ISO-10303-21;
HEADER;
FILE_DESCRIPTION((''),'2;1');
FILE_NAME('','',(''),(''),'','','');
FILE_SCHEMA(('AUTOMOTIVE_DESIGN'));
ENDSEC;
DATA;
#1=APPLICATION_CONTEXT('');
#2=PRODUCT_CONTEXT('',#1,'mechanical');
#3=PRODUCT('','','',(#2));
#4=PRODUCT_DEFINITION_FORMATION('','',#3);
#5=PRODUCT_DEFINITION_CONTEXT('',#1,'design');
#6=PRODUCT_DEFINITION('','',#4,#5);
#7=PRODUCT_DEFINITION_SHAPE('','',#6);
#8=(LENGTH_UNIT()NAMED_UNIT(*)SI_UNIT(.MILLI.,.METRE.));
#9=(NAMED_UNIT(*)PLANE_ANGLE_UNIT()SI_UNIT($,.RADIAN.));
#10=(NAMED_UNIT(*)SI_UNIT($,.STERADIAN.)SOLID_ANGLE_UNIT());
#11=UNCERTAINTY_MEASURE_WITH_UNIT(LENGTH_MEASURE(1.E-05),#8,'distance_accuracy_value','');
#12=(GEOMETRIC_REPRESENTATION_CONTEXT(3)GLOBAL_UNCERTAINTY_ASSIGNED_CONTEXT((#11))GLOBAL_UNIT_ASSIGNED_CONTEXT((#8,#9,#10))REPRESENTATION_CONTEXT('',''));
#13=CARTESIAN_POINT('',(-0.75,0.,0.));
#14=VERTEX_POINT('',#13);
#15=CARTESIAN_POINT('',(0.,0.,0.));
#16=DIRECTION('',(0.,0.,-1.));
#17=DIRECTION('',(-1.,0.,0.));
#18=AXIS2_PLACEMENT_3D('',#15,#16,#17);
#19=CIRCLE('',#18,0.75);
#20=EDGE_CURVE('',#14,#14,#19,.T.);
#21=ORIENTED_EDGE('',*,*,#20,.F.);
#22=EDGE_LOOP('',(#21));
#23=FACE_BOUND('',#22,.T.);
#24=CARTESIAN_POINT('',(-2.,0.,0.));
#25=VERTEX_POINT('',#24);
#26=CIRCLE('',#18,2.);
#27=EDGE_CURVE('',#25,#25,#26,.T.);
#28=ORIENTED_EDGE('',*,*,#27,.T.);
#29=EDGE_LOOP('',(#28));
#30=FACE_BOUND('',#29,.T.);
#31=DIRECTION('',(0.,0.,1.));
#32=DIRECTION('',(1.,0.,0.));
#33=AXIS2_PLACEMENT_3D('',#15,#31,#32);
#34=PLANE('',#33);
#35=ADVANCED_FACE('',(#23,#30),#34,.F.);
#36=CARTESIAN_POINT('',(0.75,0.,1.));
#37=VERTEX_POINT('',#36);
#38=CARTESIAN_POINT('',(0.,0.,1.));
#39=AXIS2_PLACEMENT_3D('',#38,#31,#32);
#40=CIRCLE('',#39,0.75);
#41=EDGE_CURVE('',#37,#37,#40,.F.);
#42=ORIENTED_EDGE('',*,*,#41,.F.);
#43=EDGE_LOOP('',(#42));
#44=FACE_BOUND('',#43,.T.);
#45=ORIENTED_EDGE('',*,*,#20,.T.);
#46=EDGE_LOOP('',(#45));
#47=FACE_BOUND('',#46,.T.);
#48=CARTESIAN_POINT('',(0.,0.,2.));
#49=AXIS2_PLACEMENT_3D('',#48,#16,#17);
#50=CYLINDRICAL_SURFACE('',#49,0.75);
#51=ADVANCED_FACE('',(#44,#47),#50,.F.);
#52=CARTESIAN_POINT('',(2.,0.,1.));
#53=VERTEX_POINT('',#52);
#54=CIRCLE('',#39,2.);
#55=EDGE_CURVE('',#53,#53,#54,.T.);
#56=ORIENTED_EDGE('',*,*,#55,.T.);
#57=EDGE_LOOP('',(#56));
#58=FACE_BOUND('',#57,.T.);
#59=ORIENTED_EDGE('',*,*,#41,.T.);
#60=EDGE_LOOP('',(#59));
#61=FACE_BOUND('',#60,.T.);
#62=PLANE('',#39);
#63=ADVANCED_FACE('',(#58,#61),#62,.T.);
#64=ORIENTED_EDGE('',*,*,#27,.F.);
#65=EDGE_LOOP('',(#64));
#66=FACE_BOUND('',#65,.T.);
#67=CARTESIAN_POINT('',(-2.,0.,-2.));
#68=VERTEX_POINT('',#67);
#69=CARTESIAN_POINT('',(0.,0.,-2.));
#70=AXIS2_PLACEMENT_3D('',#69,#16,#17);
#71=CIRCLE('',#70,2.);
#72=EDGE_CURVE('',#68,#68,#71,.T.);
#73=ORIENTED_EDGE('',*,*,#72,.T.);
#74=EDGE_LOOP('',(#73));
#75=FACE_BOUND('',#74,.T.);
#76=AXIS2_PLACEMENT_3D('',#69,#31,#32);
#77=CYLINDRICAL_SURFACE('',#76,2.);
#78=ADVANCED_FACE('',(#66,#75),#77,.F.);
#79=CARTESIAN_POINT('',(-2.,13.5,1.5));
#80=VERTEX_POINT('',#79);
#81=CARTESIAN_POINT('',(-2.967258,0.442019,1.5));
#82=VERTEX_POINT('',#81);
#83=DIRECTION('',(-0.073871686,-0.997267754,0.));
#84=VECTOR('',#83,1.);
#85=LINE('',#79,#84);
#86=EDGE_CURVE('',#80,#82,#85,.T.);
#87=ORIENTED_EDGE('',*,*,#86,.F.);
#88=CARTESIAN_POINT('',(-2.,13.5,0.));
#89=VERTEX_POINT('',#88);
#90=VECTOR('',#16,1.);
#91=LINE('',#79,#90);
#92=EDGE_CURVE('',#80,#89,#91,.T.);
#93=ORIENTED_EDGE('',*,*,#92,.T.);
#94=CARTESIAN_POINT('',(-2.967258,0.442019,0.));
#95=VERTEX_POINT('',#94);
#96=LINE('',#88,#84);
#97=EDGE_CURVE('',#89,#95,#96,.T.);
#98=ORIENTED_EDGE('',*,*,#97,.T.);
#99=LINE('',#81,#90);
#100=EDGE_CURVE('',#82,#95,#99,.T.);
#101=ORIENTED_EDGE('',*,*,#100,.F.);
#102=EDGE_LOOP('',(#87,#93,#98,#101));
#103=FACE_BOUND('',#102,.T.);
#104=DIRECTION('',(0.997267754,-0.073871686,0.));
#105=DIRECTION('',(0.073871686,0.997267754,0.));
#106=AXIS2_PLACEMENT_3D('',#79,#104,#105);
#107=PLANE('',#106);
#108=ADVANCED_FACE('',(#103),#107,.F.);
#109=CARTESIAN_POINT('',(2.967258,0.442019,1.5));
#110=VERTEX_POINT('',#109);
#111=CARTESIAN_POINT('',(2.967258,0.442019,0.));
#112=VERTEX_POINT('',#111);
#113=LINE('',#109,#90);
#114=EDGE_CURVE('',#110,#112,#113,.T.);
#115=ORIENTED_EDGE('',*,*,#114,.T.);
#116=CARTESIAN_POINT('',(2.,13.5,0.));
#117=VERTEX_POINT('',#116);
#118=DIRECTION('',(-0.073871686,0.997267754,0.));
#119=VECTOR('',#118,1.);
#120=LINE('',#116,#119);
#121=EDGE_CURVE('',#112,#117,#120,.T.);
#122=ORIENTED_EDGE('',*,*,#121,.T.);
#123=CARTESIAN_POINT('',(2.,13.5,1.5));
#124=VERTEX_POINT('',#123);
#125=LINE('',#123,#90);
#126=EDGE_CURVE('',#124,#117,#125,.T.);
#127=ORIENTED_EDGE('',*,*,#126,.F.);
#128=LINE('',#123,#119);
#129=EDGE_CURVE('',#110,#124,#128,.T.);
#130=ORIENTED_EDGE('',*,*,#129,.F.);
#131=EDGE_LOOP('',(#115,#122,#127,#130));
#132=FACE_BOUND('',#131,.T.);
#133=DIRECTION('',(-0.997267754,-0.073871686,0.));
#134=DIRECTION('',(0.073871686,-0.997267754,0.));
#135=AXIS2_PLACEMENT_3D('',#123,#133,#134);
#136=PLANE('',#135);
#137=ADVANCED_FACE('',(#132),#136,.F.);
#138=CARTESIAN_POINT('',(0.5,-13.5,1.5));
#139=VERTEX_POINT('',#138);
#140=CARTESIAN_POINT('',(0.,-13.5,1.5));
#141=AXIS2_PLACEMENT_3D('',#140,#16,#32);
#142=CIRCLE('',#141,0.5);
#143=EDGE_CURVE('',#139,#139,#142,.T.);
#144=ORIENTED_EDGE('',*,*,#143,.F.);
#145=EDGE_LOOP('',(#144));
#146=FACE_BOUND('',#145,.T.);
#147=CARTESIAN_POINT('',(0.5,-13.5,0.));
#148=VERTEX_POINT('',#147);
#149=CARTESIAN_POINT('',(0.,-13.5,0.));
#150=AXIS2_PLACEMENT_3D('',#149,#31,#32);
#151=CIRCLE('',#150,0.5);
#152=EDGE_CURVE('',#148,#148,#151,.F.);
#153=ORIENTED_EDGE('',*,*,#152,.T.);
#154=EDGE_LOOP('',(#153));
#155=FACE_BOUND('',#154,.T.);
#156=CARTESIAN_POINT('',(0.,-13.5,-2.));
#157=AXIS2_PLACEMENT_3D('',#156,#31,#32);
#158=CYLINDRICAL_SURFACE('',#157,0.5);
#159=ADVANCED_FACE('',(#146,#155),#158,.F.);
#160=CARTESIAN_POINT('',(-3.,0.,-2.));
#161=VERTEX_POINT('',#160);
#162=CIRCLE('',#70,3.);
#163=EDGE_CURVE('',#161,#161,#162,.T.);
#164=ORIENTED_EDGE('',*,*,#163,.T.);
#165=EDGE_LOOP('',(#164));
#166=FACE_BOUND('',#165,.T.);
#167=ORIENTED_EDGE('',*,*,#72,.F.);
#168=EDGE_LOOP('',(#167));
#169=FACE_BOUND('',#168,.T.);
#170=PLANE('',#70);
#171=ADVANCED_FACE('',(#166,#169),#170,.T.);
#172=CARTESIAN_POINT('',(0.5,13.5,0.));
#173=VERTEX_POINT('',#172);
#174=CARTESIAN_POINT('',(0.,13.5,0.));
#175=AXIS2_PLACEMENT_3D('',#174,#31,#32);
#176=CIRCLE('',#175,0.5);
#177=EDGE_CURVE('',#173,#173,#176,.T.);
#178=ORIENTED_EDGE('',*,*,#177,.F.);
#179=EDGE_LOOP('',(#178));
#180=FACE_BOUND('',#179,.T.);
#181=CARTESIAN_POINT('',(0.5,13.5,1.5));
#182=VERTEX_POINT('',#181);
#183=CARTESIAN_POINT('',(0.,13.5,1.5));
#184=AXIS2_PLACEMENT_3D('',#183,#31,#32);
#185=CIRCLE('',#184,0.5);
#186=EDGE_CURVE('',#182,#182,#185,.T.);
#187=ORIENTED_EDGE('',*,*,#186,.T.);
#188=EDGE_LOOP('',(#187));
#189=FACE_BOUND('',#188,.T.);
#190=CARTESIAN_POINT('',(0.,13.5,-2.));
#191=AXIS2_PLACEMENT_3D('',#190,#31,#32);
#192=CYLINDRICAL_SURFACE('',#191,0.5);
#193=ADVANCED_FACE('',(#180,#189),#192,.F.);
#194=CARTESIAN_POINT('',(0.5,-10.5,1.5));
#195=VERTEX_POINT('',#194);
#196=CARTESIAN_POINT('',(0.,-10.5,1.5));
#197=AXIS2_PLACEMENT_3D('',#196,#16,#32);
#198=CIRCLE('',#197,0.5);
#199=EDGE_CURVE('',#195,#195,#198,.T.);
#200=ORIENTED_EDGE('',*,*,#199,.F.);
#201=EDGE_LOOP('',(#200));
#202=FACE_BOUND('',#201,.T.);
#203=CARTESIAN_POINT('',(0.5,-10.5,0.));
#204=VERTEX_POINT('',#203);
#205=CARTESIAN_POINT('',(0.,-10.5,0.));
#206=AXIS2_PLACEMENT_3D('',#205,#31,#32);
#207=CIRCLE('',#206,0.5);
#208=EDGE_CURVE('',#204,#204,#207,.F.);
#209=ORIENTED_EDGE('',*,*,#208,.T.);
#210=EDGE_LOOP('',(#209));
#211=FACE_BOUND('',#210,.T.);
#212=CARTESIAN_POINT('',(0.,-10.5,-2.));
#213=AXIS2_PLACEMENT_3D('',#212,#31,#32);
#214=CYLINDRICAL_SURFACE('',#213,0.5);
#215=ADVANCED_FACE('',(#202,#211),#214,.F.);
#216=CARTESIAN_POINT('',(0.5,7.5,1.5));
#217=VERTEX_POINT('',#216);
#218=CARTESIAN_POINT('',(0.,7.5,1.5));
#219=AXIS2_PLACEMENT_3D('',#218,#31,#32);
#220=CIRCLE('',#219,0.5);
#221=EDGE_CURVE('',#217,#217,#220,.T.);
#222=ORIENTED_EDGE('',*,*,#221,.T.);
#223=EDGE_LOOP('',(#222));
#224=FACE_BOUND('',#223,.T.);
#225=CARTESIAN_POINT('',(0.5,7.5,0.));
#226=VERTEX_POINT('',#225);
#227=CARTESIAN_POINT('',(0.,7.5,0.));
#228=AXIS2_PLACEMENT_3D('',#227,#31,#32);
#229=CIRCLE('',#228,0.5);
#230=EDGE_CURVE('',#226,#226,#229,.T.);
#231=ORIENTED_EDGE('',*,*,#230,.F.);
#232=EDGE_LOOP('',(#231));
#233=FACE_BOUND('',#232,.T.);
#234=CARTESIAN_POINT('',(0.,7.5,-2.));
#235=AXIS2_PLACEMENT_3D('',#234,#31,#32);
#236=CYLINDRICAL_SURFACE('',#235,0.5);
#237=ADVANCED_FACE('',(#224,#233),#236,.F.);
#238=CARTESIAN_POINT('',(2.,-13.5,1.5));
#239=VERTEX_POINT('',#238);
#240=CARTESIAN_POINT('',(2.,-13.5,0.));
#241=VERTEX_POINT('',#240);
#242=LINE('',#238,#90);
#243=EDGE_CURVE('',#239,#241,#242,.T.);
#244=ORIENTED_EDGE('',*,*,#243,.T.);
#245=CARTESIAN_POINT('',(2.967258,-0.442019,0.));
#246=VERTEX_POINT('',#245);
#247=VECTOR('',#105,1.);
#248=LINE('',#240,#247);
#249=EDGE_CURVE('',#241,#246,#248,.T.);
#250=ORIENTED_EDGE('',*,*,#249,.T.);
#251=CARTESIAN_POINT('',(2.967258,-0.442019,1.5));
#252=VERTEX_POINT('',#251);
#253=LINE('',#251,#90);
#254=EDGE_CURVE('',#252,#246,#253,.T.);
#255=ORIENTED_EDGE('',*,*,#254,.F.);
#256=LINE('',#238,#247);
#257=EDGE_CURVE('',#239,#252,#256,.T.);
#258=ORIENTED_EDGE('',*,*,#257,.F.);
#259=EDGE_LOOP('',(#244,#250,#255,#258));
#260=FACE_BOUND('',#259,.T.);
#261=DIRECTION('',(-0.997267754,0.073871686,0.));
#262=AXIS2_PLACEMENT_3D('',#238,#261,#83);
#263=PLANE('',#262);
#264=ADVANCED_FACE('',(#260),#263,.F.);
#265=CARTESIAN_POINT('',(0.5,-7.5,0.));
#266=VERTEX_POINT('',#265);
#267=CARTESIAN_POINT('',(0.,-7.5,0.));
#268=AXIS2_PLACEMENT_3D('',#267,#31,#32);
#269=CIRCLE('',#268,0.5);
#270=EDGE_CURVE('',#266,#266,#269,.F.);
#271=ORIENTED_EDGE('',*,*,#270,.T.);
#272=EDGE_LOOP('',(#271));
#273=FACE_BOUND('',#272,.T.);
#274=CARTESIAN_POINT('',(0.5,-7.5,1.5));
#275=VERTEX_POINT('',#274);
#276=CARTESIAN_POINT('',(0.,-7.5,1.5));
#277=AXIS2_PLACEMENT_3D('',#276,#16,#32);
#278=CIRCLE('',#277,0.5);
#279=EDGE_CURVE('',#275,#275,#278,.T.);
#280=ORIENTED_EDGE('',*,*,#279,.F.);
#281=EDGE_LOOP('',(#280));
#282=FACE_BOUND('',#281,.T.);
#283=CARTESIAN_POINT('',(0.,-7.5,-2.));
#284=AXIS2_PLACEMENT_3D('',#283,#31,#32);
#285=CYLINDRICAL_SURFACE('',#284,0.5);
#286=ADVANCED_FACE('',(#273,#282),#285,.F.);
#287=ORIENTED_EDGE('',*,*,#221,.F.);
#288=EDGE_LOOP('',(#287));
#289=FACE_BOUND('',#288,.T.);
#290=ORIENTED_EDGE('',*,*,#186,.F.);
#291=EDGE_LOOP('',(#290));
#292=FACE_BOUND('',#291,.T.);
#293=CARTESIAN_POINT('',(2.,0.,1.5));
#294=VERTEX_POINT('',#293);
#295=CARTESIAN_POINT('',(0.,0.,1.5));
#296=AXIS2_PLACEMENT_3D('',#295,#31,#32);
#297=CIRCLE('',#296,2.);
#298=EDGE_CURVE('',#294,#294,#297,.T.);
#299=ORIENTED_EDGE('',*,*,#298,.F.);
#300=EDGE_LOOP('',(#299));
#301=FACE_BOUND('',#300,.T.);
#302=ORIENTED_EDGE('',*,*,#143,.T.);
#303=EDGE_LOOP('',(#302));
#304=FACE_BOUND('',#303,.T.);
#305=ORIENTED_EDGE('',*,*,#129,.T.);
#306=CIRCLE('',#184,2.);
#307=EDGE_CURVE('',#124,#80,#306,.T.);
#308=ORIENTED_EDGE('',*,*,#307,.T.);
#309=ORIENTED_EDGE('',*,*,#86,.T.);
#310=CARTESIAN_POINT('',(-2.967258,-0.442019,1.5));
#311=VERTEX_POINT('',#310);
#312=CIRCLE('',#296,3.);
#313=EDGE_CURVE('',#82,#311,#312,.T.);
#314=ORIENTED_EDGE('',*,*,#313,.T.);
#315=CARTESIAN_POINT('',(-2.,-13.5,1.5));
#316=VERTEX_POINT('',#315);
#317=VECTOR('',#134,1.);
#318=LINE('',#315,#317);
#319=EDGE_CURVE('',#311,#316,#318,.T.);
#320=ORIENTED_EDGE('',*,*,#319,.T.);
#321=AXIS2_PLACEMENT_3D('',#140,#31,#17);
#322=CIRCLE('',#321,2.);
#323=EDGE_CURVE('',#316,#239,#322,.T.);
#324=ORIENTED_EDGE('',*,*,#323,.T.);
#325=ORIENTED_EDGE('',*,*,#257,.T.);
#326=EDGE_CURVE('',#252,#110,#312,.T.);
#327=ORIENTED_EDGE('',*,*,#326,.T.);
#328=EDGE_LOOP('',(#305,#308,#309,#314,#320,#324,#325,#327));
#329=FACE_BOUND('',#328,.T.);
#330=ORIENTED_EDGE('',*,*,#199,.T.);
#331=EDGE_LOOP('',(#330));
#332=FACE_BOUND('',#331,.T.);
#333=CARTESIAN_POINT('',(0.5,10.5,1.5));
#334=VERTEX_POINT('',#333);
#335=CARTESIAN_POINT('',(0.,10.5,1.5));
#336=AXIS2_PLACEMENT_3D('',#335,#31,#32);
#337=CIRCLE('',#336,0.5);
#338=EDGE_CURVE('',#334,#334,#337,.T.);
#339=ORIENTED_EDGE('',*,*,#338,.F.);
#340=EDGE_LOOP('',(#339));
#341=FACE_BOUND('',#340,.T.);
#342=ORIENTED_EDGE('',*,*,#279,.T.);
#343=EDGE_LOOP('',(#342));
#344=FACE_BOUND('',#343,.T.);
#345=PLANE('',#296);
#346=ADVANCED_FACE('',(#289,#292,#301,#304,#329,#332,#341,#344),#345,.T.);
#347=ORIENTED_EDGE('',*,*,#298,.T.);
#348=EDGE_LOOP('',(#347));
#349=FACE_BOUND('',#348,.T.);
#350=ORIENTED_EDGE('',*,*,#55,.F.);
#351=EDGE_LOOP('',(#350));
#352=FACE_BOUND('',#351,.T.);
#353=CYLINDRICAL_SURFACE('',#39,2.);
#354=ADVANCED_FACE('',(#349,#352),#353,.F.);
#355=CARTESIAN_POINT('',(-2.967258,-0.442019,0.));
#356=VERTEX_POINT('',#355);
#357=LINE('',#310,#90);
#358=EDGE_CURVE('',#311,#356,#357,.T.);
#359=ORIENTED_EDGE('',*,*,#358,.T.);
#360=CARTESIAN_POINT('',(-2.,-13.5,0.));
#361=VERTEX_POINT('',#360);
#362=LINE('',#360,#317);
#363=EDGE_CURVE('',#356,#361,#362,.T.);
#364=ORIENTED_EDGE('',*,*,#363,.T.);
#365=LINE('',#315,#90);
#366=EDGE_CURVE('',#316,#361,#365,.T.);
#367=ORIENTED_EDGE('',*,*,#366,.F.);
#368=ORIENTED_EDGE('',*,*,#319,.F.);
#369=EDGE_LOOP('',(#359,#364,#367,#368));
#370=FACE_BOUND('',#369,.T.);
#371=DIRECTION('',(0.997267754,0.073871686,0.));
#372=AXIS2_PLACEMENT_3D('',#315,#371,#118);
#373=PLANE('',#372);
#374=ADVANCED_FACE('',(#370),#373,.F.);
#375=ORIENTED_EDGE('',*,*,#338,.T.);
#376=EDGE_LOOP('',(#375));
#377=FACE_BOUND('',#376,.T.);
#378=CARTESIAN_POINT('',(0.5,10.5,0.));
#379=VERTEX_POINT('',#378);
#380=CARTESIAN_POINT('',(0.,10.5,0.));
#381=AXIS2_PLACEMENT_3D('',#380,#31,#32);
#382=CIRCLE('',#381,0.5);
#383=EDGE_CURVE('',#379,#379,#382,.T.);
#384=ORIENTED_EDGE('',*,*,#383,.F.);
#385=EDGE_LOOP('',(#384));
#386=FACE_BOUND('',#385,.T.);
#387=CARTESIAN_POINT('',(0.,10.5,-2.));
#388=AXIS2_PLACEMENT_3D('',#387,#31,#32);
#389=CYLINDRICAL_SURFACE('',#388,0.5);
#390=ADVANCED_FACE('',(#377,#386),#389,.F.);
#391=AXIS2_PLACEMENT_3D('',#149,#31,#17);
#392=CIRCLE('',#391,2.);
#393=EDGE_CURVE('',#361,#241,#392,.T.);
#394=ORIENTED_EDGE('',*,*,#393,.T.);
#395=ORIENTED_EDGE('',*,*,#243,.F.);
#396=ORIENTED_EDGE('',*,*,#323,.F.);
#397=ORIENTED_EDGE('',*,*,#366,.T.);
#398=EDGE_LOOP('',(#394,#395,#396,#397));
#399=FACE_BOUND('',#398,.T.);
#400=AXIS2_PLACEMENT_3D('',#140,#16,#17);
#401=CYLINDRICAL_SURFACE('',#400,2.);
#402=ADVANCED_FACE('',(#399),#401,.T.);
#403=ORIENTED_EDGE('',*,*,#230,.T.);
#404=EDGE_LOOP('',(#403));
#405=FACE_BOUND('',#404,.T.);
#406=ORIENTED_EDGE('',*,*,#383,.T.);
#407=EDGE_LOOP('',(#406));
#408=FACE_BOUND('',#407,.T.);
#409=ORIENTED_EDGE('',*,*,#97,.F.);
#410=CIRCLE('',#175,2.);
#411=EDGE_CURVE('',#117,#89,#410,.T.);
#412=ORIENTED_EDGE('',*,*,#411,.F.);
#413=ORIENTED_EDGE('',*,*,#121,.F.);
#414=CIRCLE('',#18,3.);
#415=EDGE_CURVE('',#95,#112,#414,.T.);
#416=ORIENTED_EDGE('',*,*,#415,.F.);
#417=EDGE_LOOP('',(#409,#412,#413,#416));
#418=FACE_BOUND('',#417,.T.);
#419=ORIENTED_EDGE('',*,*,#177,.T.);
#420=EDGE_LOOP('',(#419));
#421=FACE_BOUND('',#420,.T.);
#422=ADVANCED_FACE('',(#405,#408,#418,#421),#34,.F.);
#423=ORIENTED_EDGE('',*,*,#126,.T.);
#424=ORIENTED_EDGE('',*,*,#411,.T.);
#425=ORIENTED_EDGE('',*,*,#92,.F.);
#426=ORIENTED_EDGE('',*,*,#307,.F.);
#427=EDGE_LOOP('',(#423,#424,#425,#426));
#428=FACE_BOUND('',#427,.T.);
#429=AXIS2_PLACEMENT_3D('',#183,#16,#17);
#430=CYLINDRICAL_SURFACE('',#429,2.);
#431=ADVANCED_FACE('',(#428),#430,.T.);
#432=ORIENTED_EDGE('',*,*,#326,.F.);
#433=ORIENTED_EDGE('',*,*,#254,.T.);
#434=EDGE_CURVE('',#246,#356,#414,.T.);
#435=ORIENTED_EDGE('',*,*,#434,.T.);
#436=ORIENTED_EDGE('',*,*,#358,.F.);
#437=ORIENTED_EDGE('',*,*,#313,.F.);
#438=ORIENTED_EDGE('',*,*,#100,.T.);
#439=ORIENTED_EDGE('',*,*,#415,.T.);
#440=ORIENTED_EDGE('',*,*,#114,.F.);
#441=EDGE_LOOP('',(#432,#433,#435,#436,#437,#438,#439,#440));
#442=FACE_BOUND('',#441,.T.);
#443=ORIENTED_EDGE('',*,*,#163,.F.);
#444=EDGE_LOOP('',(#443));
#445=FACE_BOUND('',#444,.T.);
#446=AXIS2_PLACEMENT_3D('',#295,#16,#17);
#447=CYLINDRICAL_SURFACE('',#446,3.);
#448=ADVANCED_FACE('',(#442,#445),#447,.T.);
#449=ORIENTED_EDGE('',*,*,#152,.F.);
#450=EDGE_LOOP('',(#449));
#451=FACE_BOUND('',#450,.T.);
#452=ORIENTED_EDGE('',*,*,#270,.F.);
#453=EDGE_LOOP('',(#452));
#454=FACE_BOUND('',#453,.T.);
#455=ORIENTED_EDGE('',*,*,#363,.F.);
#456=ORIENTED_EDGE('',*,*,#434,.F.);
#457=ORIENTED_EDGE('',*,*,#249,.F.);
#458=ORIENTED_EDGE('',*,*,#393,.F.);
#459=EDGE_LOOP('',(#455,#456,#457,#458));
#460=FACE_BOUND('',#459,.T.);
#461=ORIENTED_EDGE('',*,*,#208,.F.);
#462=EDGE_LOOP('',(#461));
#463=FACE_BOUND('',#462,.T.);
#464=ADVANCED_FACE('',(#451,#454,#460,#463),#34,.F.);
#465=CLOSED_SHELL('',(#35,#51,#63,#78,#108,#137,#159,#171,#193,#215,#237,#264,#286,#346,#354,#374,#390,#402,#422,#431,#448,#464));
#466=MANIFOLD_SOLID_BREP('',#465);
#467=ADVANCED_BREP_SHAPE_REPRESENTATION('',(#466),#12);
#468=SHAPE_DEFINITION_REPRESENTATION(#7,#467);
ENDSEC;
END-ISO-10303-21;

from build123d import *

# Parameters (mm, degrees)
BOSS_EXTRU_2_DEPTH         = 1.5
ESQUISSE2_R                = 3
ESQUISSE2_R_2              = 2
BOSS_EXTRU_3_DEPTH         = 2
ESQUISSE3_R                = 0.75
ENL_V_MAT_EXTRU_1_DEPTH    = 2
ESQUISSE4_R                = 2
ENL_V_MAT_EXTRU_2_DEPTH    = 0.5
ESQUISSE5_R                = 0.5
ENL_V_MAT_EXTRU_3_DEPTH    = 4.5
R_P_TITION_LIN_AIRE1_COUNT = 3
R_P_TITION_LIN_AIRE1_PITCH = 3
SYM_TRIE1_COPY_1_SKETCH_R  = 0.5
SYM_TRIE1_COPY_1_DEPTH     = 4.5
SYM_TRIE1_COPY_2_SKETCH_R  = 0.5
SYM_TRIE1_COPY_2_DEPTH     = 4.5


with BuildPart() as part:
    # Esquisse1 → Boss.-Extru.2 (new body)
    with BuildSketch(Plane.XY):
        with BuildLine():
            Line((2, 13.5), (2.967257844, 0.4420191))
            ThreePointArc((2.967257844, 0.4420191), (3, 0), (2.967257844, -0.4420191))
            Line((2.967257844, -0.4420191), (2, -13.5))
            ThreePointArc((2, -13.5), (0, -15.5), (-2, -13.5))
            Line((-2, -13.5), (-2.967257844, -0.4420191))
            ThreePointArc((-2.967257844, -0.4420191), (-3, 0), (-2.967257844, 0.4420191))
            Line((-2.967257844, 0.4420191), (-2, 13.5))
            ThreePointArc((-2, 13.5), (0, 15.5), (2, 13.5))
        make_face()
    extrude(amount=BOSS_EXTRU_2_DEPTH)

    # Esquisse2 → Boss.-Extru.3 (add)
    with BuildSketch(Plane(origin=(0, 0, 0), x_dir=(-1, 0, 0), z_dir=(0, 0, -1))):
        Circle(ESQUISSE2_R)
        Circle(ESQUISSE2_R_2, mode=Mode.SUBTRACT)
    extrude(amount=BOSS_EXTRU_3_DEPTH)

    # Esquisse3 → Enlèv. mat.-Extru.1 (cut)
    with BuildSketch(Plane(origin=(0, 0, 0), x_dir=(-1, 0, 0), z_dir=(0, 0, -1))):
        Circle(ESQUISSE3_R)
    extrude(amount=-ENL_V_MAT_EXTRU_1_DEPTH, mode=Mode.SUBTRACT)

    # Esquisse4 → Enlèv. mat.-Extru.2 (cut)
    with BuildSketch(Plane.XY.offset(1.5)):
        Circle(ESQUISSE4_R)
    extrude(amount=-ENL_V_MAT_EXTRU_2_DEPTH, mode=Mode.SUBTRACT)

    # Esquisse5 → Enlèv. mat.-Extru.3 (cut, through all)
    with BuildSketch(Plane.XY.offset(1.5)):
        with Locations((0, 13.5)):
            Circle(ESQUISSE5_R)
    enl_v_mat_extru_3 = extrude(amount=-ENL_V_MAT_EXTRU_3_DEPTH, mode=Mode.SUBTRACT)

    # Répétition linéaire1: Enlèv. mat.-Extru.3 ×3
    with Locations(*[(0, -i * R_P_TITION_LIN_AIRE1_PITCH, 0) for i in range(1, R_P_TITION_LIN_AIRE1_COUNT)]):
        add(enl_v_mat_extru_3, mode=Mode.SUBTRACT)

    # Symétrie1: Enlèv. mat.-Extru.3 across plane
    add(enl_v_mat_extru_3.mirror(Plane.ZX), mode=Mode.SUBTRACT)

    # Symétrie1 copy 1 sketch → Symétrie1 copy 1 (cut, through all)
    with BuildSketch(Plane(origin=(0, 3, 1.5), x_dir=(1, 0, 0), z_dir=(0, 0, 1))):
        with Locations((0, -13.5)):
            Circle(SYM_TRIE1_COPY_1_SKETCH_R)
    extrude(amount=-SYM_TRIE1_COPY_1_DEPTH, mode=Mode.SUBTRACT)

    # Symétrie1 copy 2 sketch → Symétrie1 copy 2 (cut, through all)
    with BuildSketch(Plane(origin=(0, 6, 1.5), x_dir=(1, 0, 0), z_dir=(0, 0, 1))):
        with Locations((0, -13.5)):
            Circle(SYM_TRIE1_COPY_2_SKETCH_R)
    extrude(amount=-SYM_TRIE1_COPY_2_DEPTH, mode=Mode.SUBTRACT)


solid = part.part
